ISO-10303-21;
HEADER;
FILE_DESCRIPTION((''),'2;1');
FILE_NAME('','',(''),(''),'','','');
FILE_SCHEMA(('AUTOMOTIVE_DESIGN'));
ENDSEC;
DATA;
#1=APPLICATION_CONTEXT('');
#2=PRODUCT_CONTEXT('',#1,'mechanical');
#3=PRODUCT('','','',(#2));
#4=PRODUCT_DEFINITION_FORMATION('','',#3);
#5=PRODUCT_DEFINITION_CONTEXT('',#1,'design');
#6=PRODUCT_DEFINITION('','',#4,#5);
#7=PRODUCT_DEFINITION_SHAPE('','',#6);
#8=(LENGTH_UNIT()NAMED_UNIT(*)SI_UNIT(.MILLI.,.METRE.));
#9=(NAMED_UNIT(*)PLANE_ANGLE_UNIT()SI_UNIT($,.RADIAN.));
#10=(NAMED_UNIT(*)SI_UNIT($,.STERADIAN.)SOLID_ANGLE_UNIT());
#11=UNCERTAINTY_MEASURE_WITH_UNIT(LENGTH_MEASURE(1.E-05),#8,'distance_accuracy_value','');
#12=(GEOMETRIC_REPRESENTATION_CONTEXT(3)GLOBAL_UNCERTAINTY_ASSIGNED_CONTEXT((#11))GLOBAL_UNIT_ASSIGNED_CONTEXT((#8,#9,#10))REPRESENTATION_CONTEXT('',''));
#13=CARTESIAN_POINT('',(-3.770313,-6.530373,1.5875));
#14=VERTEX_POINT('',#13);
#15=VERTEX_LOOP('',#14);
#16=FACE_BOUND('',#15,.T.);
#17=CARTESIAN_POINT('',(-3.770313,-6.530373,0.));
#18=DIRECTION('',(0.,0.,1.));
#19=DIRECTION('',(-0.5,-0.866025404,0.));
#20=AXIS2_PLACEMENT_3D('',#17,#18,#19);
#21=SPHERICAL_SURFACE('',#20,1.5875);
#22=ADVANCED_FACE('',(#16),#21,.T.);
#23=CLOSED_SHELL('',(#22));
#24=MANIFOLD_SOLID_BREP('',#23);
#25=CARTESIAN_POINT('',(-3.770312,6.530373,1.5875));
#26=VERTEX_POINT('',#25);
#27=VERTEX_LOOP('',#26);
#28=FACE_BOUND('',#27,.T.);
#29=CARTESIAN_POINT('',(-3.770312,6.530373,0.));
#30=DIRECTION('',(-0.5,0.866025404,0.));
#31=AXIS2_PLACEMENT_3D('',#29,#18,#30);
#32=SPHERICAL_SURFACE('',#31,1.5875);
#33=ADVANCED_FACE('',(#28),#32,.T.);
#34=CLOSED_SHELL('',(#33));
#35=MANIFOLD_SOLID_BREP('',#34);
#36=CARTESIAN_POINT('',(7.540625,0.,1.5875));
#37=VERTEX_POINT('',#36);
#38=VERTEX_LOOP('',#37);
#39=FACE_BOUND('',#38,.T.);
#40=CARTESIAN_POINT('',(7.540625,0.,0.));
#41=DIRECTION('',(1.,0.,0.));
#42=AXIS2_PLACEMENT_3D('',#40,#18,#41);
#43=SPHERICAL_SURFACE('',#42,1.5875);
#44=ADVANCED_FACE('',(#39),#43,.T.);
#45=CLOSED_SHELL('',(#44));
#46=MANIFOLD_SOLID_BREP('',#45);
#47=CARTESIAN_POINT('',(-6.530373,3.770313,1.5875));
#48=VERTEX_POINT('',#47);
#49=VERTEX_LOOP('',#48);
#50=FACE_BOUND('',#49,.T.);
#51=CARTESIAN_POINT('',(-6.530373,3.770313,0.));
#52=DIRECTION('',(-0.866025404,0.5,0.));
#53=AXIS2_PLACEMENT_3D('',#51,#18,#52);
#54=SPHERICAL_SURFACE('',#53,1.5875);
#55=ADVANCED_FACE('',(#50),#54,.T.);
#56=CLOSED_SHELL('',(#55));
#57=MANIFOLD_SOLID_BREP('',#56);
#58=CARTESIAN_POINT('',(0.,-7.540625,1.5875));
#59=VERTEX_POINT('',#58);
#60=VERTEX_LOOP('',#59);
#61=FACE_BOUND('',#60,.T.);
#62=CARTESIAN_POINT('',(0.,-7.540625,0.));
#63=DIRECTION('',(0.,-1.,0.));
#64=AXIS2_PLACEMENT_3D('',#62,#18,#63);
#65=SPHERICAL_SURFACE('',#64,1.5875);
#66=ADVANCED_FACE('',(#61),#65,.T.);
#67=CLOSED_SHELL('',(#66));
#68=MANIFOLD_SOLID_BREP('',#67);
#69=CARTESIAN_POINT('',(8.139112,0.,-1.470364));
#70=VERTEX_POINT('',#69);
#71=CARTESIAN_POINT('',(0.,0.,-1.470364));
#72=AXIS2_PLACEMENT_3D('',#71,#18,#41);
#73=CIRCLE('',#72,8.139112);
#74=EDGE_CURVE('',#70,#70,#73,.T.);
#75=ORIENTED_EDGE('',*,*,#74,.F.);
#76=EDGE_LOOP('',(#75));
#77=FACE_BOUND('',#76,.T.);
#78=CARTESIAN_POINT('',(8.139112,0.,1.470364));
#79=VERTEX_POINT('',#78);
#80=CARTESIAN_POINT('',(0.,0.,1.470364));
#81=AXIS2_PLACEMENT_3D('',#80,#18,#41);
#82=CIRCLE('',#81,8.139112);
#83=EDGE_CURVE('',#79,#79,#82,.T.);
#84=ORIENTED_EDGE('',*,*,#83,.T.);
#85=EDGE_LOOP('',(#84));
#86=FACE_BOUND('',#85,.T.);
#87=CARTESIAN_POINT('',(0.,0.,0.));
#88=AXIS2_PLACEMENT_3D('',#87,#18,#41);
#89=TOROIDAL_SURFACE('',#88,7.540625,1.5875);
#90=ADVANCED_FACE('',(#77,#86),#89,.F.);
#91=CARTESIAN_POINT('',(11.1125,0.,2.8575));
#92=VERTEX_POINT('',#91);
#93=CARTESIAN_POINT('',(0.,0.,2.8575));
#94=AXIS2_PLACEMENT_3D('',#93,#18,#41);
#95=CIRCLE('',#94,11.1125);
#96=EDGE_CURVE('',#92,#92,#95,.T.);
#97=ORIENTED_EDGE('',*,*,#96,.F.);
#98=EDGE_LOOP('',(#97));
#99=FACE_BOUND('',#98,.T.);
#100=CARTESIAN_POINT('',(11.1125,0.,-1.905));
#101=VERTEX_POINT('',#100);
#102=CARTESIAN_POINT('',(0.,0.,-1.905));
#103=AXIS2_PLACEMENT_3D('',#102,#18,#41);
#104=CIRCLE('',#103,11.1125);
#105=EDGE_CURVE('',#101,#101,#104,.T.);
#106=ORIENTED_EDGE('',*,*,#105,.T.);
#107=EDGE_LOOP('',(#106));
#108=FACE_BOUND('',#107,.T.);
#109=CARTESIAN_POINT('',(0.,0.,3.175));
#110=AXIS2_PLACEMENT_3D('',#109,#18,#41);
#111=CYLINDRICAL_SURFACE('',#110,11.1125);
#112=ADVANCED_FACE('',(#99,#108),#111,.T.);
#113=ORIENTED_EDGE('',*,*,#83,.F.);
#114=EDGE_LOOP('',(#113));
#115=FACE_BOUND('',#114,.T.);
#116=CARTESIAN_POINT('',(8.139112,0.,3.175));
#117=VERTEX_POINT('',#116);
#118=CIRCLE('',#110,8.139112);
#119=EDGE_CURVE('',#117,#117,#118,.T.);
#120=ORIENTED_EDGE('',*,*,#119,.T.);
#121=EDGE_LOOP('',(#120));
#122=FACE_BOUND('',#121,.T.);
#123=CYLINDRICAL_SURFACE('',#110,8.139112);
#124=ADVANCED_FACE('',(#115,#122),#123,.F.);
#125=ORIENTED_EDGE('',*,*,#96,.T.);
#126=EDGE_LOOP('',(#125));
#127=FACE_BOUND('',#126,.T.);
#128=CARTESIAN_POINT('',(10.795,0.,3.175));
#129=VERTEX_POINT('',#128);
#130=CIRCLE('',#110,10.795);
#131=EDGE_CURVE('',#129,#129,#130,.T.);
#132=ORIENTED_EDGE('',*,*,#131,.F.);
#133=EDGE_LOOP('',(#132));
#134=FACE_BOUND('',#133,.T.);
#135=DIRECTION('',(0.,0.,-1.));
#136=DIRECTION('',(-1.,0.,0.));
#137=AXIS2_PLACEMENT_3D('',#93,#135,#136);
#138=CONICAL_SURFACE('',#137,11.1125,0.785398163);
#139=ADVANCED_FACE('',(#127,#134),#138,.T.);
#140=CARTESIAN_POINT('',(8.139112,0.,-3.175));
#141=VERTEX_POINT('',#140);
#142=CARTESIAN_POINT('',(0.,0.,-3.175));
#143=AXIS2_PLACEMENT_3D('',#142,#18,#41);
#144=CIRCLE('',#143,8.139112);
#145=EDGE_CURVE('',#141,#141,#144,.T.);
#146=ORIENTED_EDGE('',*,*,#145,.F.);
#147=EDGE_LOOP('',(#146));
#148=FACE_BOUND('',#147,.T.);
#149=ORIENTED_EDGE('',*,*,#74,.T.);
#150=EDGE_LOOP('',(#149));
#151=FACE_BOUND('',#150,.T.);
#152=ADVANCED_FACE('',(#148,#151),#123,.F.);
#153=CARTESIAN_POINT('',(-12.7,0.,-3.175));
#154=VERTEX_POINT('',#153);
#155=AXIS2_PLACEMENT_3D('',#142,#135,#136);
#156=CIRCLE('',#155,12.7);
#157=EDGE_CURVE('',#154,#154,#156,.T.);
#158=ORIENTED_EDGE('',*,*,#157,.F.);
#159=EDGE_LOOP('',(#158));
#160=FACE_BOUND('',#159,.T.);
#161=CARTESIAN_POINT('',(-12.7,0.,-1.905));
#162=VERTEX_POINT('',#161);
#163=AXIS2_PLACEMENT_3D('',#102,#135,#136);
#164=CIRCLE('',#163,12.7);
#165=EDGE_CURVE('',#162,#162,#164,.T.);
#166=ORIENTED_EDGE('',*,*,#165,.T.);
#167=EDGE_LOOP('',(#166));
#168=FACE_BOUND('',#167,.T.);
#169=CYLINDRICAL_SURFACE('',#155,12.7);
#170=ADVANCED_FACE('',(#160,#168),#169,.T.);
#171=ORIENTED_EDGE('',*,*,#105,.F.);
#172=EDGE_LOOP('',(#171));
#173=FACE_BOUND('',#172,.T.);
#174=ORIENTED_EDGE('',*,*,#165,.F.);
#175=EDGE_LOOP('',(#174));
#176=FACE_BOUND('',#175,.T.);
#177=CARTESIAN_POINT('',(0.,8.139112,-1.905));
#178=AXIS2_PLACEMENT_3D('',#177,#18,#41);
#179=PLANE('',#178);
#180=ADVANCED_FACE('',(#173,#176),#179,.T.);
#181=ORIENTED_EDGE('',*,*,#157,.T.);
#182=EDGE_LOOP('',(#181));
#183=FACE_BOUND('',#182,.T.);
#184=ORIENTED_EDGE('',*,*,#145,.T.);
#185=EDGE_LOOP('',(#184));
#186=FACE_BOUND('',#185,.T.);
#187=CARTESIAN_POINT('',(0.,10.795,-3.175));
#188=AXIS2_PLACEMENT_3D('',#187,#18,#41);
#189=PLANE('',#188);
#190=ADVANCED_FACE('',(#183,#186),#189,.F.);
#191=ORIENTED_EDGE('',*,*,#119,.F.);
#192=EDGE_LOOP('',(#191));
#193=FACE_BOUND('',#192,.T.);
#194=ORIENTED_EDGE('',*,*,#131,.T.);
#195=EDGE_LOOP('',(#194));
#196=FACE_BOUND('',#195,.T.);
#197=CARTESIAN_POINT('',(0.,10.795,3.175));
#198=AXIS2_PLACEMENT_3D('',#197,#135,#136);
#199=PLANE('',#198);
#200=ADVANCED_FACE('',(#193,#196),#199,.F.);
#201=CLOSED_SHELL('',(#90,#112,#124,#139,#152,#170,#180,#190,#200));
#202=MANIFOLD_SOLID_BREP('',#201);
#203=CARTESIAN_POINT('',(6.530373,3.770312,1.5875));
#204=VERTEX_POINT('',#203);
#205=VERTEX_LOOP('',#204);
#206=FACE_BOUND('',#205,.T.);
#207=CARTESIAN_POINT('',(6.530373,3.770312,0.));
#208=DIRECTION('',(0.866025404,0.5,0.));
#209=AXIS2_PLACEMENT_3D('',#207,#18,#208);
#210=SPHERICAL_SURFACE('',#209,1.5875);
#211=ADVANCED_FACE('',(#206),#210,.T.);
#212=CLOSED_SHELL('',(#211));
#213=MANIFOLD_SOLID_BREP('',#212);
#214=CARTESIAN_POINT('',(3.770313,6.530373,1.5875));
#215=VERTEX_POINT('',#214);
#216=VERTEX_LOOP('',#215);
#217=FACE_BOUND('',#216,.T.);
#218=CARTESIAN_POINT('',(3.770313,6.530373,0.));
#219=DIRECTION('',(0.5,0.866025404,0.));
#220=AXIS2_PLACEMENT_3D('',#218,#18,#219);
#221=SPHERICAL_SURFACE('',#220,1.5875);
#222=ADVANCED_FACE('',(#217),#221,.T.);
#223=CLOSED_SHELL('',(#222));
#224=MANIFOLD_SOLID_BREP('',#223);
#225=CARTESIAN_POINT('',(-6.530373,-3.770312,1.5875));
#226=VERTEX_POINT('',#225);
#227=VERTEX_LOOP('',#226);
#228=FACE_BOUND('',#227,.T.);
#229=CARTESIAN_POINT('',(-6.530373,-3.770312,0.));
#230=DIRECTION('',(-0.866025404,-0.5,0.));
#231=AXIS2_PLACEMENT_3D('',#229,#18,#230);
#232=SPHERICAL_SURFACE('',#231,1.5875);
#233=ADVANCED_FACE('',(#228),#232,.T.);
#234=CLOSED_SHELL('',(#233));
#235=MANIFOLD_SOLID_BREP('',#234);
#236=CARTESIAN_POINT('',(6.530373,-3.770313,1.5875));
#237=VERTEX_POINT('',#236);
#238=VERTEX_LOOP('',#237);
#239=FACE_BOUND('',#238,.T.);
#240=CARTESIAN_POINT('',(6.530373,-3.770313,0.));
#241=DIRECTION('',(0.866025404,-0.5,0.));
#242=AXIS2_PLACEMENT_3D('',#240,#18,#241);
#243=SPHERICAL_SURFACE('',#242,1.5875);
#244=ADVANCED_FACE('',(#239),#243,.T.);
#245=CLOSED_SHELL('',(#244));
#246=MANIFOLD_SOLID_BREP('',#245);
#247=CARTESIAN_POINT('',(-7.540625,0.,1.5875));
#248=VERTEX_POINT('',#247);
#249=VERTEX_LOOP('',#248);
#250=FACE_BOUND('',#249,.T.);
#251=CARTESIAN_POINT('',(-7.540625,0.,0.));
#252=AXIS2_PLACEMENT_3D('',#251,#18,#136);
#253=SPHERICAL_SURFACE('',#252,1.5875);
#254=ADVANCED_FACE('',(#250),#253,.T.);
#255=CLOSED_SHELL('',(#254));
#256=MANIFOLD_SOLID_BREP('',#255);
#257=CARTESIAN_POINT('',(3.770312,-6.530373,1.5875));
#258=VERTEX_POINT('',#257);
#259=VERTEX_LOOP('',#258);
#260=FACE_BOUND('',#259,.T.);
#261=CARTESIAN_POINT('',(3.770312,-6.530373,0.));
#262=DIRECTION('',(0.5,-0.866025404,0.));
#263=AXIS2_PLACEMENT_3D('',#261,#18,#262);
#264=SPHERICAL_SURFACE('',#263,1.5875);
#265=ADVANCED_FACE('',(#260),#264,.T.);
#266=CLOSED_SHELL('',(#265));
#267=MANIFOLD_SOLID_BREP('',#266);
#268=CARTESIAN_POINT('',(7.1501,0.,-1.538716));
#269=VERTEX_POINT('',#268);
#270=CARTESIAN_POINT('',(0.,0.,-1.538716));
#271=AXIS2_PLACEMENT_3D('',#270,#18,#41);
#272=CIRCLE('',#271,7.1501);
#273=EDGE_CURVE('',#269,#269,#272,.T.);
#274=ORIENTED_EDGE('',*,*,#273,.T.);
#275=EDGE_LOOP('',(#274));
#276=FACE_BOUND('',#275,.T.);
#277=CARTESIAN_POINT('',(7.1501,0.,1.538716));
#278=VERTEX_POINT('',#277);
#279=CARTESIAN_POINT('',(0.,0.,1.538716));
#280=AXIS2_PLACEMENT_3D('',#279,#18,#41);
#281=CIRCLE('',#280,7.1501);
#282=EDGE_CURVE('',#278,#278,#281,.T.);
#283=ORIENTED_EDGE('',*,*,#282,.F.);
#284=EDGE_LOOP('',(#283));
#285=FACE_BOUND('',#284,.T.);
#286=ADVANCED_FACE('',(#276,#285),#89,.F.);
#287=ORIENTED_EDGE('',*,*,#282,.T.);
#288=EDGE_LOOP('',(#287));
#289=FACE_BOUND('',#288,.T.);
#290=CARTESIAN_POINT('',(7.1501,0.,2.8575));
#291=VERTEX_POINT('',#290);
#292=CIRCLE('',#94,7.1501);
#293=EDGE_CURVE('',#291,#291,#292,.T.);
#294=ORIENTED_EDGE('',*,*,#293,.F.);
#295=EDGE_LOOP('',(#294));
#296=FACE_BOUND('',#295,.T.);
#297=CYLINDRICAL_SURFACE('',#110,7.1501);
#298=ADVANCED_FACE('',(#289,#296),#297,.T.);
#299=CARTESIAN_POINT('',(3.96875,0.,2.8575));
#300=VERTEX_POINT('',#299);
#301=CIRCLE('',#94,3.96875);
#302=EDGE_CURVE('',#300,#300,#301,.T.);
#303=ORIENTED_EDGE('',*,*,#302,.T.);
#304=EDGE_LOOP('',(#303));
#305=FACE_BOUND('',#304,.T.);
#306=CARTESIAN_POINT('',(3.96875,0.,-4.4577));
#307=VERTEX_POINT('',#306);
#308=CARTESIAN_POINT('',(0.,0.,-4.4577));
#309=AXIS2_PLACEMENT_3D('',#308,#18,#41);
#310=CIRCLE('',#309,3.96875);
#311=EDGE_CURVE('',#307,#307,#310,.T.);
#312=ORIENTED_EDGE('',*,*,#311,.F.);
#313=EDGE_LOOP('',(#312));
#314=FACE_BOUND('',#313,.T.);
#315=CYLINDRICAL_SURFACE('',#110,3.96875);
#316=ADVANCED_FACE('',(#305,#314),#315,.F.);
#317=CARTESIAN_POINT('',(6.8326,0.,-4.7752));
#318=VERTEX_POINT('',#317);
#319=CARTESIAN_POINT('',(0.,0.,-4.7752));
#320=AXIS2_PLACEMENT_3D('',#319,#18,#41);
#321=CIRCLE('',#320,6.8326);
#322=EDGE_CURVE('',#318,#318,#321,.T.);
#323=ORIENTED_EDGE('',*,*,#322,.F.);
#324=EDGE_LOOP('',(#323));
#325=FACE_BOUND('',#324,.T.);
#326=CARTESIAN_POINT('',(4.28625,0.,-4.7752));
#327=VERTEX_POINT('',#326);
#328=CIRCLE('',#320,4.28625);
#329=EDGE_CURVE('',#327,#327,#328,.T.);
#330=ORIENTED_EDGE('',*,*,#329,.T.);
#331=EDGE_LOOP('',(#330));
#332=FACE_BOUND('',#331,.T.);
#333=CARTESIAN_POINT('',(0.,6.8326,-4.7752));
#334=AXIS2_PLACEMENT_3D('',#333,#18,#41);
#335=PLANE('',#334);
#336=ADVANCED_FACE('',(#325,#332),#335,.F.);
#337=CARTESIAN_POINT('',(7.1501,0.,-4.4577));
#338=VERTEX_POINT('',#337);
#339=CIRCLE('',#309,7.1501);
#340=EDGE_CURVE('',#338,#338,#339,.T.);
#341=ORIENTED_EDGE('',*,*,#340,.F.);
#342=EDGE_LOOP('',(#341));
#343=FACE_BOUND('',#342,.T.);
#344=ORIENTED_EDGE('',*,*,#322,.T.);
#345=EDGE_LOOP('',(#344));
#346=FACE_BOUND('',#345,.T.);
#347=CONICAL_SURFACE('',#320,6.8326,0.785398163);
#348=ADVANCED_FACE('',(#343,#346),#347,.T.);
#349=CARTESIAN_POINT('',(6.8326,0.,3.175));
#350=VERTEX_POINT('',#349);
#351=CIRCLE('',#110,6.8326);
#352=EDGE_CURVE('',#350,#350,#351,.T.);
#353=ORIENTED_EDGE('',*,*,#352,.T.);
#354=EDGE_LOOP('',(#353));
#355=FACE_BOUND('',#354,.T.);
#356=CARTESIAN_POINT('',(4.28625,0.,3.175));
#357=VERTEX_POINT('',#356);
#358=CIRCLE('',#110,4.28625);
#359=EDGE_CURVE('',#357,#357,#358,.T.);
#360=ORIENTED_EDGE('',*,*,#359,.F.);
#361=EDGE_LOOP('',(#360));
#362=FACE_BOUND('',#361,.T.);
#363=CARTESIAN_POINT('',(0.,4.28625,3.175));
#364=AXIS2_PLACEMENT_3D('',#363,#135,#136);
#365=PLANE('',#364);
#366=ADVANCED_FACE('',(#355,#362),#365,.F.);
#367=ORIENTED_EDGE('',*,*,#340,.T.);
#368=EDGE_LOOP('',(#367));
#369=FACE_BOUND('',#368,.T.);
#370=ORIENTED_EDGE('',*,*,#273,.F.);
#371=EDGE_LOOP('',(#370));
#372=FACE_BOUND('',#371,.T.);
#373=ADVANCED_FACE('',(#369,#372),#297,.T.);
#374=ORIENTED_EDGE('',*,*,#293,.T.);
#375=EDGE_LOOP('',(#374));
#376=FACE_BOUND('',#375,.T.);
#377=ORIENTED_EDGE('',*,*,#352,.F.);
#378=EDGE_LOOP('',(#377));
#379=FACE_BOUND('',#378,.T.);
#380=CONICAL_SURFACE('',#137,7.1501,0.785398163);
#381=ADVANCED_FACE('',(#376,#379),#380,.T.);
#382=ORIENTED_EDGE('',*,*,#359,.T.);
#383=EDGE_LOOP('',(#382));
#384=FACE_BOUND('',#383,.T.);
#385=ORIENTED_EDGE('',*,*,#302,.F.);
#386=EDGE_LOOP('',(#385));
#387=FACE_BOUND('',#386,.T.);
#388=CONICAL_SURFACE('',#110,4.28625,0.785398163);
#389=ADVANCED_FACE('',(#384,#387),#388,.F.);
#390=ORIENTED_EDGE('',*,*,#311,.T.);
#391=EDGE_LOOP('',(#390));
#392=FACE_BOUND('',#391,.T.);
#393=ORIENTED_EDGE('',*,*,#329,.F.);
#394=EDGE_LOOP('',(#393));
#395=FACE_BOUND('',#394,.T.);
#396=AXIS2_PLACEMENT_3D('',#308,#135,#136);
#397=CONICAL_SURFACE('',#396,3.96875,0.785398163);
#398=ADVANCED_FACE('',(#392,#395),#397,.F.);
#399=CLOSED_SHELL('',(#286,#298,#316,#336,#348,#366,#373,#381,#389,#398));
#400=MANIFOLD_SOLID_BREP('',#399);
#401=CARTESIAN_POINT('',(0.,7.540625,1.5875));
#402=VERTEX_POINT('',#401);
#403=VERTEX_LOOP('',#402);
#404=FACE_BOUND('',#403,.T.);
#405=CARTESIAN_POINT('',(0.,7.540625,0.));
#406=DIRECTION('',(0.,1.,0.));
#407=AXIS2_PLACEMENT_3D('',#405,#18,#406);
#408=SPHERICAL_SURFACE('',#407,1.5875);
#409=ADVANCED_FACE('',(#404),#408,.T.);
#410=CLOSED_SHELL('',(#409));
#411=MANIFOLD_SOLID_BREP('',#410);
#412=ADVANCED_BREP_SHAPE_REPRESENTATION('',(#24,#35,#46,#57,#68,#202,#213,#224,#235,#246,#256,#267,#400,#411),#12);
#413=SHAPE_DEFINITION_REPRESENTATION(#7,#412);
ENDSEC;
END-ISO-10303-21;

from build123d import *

# Parameters (mm, degrees)
SKETCH6_W         = 1.27
SKETCH6_H         = 4.5608875
CIRPATTERN1_COUNT = 12


with BuildPart() as part:
    # Sketch1 → Revolve1 (revolve)
    with BuildSketch(Plane(origin=(0, 0, 0), x_dir=(0, 0, -1), z_dir=(1, 0, 0))):
        with BuildLine():
            Line((2.8575, 11.1125), (-2.8575, 11.1125))
            Line((-2.8575, 11.1125), (-3.175, 10.795))
            Line((-3.175, 10.795), (-3.175, 8.1391125))
            Line((-3.175, 8.1391125), (-1.470363548, 8.1391125))
            ThreePointArc((-1.470363548, 8.1391125), (0, 9.128125), (1.470363548, 8.1391125))
            Line((1.470363548, 8.1391125), (3.175, 8.1391125))
            Line((3.175, 8.1391125), (3.175, 10.795))
            Line((3.175, 10.795), (2.8575, 11.1125))
        make_face()
    revolve(axis=Axis((0, 0, 3.175), (0, 0, -1)))

    # Sketch6 → Revolve6 (revolve)
    with BuildSketch(Plane(origin=(0, 0, 0), x_dir=(0, 0, -1), z_dir=(1, 0, 0))):
        with Locations((2.54, 10.41955625)):
            Rectangle(SKETCH6_W, SKETCH6_H)
    revolve(axis=Axis((0, 0, -3.175), (0, 0, 1)))


with BuildPart() as body_2:
    # Sketch3 → Revolve3 (revolve)
    with BuildSketch(Plane(origin=(0, 0, 0), x_dir=(0, 0, -1), z_dir=(1, 0, 0))):
        with BuildLine():
            Line((-3.175, 4.28625), (-3.175, 6.8326))
            Line((-3.175, 6.8326), (-2.8575, 7.1501))
            Line((-2.8575, 7.1501), (-1.538715852, 7.1501))
            ThreePointArc((-1.538715852, 7.1501), (0, 5.953125), (1.538715852, 7.1501))
            Line((1.538715852, 7.1501), (4.4577, 7.1501))
            Line((4.4577, 7.1501), (4.7752, 6.8326))
            Line((4.7752, 6.8326), (4.7752, 4.28625))
            Line((4.7752, 4.28625), (4.4577, 3.96875))
            Line((4.4577, 3.96875), (-2.8575, 3.96875))
            Line((-2.8575, 3.96875), (-3.175, 4.28625))
        make_face()
    revolve(axis=Axis((0, 0, 3.175), (0, 0, -1)))


with BuildPart() as body_3:
    # Sketch4 → Revolve4 (revolve)
    with BuildSketch(Plane(origin=(0, 0, 0), x_dir=(0, 0, -1), z_dir=(1, 0, 0))):
        with BuildLine():
            Line((-1.5875, 7.540625), (1.5875, 7.540625))
            ThreePointArc((1.5875, 7.540625), (0, 9.128125), (-1.5875, 7.540625))
        make_face()
    revolve(axis=Axis((0, 7.540625, 1.5875), (0, 0, -1)))


with BuildPart() as cirpattern1_1:
    # CirPattern1: pattern copy
    add(body_3.part.rotate(Axis((0, 0, -3.175), (0, 0, 1)), 1 * 360 / CIRPATTERN1_COUNT))


with BuildPart() as cirpattern1_2:
    # CirPattern1: pattern copy
    add(body_3.part.rotate(Axis((0, 0, -3.175), (0, 0, 1)), 2 * 360 / CIRPATTERN1_COUNT))


with BuildPart() as cirpattern1_3:
    # CirPattern1: pattern copy
    add(body_3.part.rotate(Axis((0, 0, -3.175), (0, 0, 1)), 3 * 360 / CIRPATTERN1_COUNT))


with BuildPart() as cirpattern1_4:
    # CirPattern1: pattern copy
    add(body_3.part.rotate(Axis((0, 0, -3.175), (0, 0, 1)), 4 * 360 / CIRPATTERN1_COUNT))


with BuildPart() as cirpattern1_5:
    # CirPattern1: pattern copy
    add(body_3.part.rotate(Axis((0, 0, -3.175), (0, 0, 1)), 5 * 360 / CIRPATTERN1_COUNT))


with BuildPart() as cirpattern1_6:
    # CirPattern1: pattern copy
    add(body_3.part.rotate(Axis((0, 0, -3.175), (0, 0, 1)), 6 * 360 / CIRPATTERN1_COUNT))


with BuildPart() as cirpattern1_7:
    # CirPattern1: pattern copy
    add(body_3.part.rotate(Axis((0, 0, -3.175), (0, 0, 1)), 7 * 360 / CIRPATTERN1_COUNT))


with BuildPart() as cirpattern1_8:
    # CirPattern1: pattern copy
    add(body_3.part.rotate(Axis((0, 0, -3.175), (0, 0, 1)), 8 * 360 / CIRPATTERN1_COUNT))


with BuildPart() as cirpattern1_9:
    # CirPattern1: pattern copy
    add(body_3.part.rotate(Axis((0, 0, -3.175), (0, 0, 1)), 9 * 360 / CIRPATTERN1_COUNT))


with BuildPart() as cirpattern1_10:
    # CirPattern1: pattern copy
    add(body_3.part.rotate(Axis((0, 0, -3.175), (0, 0, 1)), 10 * 360 / CIRPATTERN1_COUNT))


with BuildPart() as cirpattern1_11:
    # CirPattern1: pattern copy
    add(body_3.part.rotate(Axis((0, 0, -3.175), (0, 0, 1)), 11 * 360 / CIRPATTERN1_COUNT))


solid = Compound([part.part, body_2.part, body_3.part, cirpattern1_1.part, cirpattern1_2.part, cirpattern1_3.part, cirpattern1_4.part, cirpattern1_5.part, cirpattern1_6.part, cirpattern1_7.part, cirpattern1_8.part, cirpattern1_9.part, cirpattern1_10.part, cirpattern1_11.part])
